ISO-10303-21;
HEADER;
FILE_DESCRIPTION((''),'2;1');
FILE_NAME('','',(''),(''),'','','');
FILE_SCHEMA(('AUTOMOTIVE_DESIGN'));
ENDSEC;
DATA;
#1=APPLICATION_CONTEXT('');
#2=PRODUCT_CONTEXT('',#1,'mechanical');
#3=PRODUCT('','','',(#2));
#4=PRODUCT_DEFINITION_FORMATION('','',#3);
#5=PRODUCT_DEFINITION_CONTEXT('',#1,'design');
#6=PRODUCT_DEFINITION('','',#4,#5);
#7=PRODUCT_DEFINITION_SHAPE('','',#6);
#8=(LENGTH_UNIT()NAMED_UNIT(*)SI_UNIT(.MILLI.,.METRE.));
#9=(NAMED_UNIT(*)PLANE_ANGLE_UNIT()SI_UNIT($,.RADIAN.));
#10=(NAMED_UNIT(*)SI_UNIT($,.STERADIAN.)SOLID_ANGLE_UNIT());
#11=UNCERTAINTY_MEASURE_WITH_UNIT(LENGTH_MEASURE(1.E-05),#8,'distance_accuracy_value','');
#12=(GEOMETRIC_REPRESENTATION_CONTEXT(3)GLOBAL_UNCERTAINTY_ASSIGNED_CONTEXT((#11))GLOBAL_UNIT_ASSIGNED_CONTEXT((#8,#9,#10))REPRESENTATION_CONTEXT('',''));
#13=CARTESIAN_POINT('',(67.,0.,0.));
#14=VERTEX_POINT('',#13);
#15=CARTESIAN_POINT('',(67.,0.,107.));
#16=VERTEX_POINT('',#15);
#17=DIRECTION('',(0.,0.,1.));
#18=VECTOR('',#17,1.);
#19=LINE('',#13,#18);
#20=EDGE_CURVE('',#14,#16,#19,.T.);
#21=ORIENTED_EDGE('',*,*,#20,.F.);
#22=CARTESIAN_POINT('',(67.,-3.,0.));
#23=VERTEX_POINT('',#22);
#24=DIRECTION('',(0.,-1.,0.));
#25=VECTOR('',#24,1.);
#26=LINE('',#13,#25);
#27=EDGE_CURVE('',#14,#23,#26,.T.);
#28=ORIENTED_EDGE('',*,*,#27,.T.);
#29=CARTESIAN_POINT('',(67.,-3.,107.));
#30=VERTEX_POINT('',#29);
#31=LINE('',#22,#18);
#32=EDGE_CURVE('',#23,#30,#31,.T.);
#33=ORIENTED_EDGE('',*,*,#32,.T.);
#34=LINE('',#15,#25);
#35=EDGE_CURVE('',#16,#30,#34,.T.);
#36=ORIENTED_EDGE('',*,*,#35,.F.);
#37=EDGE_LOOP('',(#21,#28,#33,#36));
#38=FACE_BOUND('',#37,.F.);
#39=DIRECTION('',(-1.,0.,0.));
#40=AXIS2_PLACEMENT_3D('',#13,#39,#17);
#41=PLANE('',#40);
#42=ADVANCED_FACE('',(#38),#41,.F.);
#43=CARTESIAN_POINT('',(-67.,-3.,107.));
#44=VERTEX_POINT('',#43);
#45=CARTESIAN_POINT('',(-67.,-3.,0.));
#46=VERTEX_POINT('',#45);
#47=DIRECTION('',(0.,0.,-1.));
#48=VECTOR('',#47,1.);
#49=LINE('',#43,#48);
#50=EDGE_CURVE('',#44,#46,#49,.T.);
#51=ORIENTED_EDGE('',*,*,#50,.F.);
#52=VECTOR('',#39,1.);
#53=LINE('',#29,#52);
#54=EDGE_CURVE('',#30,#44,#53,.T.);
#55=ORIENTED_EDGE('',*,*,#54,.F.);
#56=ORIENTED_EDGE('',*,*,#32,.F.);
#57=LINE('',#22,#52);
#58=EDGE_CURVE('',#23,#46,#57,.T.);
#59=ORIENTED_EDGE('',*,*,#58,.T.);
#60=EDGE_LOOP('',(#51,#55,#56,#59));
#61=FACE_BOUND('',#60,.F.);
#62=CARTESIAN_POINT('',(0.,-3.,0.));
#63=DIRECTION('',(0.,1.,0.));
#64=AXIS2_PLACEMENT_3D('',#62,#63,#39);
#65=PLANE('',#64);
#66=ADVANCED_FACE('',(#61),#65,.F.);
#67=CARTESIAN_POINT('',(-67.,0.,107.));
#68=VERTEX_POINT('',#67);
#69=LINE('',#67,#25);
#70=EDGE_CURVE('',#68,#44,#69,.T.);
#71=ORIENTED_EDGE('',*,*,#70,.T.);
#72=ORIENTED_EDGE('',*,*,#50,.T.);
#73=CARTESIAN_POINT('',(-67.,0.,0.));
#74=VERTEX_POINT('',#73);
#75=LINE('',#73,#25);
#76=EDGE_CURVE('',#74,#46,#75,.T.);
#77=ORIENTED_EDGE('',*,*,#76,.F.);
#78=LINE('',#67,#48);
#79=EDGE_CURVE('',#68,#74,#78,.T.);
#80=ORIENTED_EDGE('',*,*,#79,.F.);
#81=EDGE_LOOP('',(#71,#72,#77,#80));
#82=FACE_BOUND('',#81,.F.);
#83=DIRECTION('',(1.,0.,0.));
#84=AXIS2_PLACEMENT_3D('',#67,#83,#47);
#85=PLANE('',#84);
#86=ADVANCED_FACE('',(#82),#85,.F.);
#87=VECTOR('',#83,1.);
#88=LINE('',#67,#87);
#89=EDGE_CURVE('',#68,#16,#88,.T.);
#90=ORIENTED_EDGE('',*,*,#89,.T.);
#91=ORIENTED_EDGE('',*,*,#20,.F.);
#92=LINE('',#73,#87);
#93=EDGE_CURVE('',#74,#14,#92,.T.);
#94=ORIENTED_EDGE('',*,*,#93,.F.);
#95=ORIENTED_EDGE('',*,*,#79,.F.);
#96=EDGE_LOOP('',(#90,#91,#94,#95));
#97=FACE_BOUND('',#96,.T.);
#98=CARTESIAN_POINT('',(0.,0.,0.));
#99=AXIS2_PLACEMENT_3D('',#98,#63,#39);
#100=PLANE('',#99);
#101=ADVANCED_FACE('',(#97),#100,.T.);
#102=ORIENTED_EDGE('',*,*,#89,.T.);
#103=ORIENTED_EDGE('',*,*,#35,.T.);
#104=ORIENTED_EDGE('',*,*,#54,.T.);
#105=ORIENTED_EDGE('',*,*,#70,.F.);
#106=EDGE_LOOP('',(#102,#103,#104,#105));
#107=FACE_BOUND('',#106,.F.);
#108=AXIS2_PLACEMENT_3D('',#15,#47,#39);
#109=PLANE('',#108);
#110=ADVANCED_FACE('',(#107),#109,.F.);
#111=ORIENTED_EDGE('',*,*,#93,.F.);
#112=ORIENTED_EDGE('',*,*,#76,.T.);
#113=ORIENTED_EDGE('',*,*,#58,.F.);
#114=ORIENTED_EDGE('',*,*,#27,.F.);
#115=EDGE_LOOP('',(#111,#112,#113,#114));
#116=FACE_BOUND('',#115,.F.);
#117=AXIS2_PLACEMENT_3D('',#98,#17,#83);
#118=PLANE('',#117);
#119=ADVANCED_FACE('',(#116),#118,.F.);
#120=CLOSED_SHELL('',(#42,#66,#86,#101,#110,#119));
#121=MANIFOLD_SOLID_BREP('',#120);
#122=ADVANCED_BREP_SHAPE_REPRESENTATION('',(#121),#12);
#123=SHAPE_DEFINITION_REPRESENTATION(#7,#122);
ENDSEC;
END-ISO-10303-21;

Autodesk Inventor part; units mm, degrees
ref_plane "YZ Plane" through (0, 0, 0) normal (1, 0, 0) x (0, 1, 0)
ref_plane "XZ Plane" through (0, 0, 0) normal (0, 1, 0) x (-1, 0, 0)
ref_plane "XY Plane" through (0, 0, 0) normal (0, 0, 1) x (1, 0, 0)
sketch "Sketch1" plane through (0, 0, 0) normal (0, 1, 0) x (-1, 0, 0)
  line L0 (0, 0) -> (-67, 0)
  line L1 (-67, 0) -> (-67, 107)
  line L2 (-67, 107) -> (0, 107)
  line L3 (0, 107) -> (0, 0)
  line L4 (0, 107) -> (67, 107)
  line L5 (67, 107) -> (67, 0)
  line L6 (67, 0) -> (0, 0)
  line L7 (0, 0) -> (0, 107)
  dimension "d0" = 67
  dimension "d1" = 107
  dimension "d2" = 67
  dimension "d3" = 107
extrude "Extrusion1" add sketch "Sketch1" against normal blind 3
properties part number "bak"
